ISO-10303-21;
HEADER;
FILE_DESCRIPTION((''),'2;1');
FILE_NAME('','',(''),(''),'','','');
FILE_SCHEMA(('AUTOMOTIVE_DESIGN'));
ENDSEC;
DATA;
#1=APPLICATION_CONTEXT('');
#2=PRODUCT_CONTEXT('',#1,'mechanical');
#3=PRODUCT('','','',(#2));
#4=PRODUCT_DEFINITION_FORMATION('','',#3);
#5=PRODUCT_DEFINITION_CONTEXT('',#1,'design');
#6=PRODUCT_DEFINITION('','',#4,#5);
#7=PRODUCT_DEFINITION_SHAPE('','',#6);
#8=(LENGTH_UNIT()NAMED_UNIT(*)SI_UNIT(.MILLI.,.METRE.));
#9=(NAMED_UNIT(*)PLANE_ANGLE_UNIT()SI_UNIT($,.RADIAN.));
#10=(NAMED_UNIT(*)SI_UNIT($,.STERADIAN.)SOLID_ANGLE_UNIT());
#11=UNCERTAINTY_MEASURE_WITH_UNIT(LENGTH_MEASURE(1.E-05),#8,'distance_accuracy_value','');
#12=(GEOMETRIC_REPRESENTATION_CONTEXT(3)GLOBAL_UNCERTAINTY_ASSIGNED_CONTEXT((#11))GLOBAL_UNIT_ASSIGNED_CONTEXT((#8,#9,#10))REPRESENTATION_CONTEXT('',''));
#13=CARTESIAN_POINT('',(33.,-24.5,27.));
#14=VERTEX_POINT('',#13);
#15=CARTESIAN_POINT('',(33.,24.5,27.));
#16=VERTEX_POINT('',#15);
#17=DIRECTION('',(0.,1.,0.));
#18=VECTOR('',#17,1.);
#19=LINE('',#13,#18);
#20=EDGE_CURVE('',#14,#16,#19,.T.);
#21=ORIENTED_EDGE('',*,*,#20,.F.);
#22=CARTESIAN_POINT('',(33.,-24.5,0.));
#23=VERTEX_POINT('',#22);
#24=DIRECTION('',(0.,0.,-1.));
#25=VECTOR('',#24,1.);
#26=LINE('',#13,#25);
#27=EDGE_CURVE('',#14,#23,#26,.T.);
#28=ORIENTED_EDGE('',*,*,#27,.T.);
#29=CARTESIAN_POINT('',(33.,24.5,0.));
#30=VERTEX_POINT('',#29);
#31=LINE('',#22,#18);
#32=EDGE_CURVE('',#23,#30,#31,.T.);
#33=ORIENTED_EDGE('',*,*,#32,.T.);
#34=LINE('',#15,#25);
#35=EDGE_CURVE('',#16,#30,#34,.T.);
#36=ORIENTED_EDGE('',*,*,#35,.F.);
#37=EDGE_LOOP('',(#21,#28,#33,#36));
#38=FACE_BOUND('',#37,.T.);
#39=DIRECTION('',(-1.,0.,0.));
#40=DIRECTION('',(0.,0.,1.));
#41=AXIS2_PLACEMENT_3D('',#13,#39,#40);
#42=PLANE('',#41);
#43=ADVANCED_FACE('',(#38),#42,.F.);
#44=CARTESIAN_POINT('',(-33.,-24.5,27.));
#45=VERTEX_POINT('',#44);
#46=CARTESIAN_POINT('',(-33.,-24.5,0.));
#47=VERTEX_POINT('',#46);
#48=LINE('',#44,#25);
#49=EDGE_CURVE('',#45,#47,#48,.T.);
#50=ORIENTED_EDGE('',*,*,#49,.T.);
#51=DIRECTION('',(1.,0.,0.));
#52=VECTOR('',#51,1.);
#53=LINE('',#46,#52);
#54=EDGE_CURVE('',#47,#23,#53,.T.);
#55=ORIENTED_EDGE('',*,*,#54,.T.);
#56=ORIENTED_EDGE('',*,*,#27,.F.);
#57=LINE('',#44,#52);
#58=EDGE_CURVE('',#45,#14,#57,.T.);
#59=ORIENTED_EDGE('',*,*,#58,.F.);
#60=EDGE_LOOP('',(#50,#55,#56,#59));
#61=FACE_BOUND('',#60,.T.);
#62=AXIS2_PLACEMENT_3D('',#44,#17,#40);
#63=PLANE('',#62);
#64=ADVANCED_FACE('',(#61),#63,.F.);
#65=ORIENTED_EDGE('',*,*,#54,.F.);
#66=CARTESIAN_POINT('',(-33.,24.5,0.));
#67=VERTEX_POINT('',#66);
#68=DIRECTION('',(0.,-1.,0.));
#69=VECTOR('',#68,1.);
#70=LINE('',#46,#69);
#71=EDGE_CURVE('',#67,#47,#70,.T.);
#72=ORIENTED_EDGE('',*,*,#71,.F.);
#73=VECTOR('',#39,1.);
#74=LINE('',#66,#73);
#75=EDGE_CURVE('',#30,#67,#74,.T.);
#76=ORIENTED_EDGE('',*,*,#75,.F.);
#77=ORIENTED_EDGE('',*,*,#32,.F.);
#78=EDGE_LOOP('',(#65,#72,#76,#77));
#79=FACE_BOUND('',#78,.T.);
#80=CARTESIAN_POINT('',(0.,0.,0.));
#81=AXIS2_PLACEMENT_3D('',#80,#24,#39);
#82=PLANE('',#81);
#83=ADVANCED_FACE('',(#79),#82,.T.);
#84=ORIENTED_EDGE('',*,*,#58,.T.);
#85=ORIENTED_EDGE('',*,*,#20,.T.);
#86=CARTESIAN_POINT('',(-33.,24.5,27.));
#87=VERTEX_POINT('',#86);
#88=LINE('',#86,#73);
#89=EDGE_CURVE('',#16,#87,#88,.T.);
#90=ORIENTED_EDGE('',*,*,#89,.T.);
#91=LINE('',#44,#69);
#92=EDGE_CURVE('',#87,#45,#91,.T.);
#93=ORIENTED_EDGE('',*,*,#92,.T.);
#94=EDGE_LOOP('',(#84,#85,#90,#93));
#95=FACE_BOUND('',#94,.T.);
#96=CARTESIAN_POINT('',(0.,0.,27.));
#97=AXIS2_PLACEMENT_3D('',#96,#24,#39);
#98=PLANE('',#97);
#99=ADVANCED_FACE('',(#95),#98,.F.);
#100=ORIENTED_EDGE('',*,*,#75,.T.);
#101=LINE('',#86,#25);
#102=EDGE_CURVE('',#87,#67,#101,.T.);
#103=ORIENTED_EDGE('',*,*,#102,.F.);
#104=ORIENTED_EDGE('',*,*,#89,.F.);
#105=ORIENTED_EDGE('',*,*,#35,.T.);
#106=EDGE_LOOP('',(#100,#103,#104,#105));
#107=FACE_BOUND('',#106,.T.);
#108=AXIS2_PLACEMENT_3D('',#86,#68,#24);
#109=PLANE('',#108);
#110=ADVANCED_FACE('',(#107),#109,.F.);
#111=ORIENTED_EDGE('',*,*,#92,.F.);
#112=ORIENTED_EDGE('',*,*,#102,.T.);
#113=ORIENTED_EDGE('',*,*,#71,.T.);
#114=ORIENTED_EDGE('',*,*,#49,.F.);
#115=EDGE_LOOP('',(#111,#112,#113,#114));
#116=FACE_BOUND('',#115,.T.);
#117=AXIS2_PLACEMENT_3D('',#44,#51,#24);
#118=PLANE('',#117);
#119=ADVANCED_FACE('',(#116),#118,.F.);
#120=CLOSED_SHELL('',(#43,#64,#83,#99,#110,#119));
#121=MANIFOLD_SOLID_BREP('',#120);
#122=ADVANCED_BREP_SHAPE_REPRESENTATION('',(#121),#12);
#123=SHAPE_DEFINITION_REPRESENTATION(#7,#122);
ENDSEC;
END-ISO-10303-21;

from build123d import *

# Parameters (mm, degrees)
SKETCH1_W      = 66
SKETCH1_H      = 49
ENVELOPE_DEPTH = 27


with BuildPart() as part:
    # Sketch1 → Envelope (new body)
    with BuildSketch(Plane.XY):
        Rectangle(SKETCH1_W, SKETCH1_H)
    extrude(amount=ENVELOPE_DEPTH)


solid = part.part
